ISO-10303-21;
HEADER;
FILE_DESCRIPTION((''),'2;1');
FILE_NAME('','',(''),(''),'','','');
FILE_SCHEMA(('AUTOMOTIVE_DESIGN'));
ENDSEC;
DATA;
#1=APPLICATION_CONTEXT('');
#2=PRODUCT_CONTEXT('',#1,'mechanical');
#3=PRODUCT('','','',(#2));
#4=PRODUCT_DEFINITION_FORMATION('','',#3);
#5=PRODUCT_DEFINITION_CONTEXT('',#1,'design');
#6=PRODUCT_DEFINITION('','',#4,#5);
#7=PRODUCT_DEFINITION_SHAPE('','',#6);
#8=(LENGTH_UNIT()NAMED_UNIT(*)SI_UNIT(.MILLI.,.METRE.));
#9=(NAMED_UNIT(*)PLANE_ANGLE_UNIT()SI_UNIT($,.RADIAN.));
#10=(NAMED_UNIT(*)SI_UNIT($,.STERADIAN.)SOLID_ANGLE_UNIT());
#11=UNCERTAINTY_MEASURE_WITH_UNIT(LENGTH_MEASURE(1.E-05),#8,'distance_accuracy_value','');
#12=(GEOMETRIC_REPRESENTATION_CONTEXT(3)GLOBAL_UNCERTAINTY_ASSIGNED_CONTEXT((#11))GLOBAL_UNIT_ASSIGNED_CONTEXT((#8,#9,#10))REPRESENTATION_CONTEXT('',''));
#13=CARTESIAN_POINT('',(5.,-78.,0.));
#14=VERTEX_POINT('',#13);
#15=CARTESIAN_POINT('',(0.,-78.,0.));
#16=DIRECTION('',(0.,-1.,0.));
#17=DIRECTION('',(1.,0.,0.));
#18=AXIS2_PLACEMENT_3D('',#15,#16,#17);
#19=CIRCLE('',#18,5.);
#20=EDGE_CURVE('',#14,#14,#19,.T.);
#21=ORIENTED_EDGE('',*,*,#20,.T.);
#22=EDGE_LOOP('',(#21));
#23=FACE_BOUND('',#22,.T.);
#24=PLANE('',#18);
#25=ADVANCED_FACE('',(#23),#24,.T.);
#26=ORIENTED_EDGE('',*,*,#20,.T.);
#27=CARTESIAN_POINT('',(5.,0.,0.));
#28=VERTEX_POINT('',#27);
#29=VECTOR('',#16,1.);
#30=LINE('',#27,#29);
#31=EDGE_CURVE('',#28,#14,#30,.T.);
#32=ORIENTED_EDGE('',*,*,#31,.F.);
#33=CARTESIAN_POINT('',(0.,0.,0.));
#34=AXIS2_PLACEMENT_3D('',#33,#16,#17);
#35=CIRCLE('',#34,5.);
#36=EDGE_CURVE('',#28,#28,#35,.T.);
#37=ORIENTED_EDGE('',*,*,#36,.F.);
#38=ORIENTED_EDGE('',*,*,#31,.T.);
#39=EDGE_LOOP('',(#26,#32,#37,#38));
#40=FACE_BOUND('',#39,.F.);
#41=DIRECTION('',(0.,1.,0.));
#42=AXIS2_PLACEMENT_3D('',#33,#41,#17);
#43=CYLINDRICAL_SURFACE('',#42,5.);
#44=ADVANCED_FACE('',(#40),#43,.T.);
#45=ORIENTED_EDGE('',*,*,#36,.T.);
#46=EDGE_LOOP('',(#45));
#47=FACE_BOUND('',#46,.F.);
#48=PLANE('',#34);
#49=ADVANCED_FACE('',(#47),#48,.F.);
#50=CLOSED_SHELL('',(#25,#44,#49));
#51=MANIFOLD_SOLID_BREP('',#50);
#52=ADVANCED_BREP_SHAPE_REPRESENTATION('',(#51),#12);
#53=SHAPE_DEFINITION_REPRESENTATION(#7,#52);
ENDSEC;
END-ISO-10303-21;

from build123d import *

# Parameters (mm, degrees)
F0_R      = 5
F1_DEPTH  = 90
F1_FACE_R = 5
F2_DEPTH  = 12


with BuildPart() as f1:
    # F0 (on Front) → F1 (new body)
    with BuildSketch(Plane.XZ):
        Circle(F0_R)
    extrude(amount=F1_DEPTH)

    # F1_face (on face) → F2 (cut)
    with BuildSketch(Plane.XZ.offset(90)):
        Circle(F1_FACE_R)
    extrude(amount=-F2_DEPTH, mode=Mode.SUBTRACT)


solid = f1.part
